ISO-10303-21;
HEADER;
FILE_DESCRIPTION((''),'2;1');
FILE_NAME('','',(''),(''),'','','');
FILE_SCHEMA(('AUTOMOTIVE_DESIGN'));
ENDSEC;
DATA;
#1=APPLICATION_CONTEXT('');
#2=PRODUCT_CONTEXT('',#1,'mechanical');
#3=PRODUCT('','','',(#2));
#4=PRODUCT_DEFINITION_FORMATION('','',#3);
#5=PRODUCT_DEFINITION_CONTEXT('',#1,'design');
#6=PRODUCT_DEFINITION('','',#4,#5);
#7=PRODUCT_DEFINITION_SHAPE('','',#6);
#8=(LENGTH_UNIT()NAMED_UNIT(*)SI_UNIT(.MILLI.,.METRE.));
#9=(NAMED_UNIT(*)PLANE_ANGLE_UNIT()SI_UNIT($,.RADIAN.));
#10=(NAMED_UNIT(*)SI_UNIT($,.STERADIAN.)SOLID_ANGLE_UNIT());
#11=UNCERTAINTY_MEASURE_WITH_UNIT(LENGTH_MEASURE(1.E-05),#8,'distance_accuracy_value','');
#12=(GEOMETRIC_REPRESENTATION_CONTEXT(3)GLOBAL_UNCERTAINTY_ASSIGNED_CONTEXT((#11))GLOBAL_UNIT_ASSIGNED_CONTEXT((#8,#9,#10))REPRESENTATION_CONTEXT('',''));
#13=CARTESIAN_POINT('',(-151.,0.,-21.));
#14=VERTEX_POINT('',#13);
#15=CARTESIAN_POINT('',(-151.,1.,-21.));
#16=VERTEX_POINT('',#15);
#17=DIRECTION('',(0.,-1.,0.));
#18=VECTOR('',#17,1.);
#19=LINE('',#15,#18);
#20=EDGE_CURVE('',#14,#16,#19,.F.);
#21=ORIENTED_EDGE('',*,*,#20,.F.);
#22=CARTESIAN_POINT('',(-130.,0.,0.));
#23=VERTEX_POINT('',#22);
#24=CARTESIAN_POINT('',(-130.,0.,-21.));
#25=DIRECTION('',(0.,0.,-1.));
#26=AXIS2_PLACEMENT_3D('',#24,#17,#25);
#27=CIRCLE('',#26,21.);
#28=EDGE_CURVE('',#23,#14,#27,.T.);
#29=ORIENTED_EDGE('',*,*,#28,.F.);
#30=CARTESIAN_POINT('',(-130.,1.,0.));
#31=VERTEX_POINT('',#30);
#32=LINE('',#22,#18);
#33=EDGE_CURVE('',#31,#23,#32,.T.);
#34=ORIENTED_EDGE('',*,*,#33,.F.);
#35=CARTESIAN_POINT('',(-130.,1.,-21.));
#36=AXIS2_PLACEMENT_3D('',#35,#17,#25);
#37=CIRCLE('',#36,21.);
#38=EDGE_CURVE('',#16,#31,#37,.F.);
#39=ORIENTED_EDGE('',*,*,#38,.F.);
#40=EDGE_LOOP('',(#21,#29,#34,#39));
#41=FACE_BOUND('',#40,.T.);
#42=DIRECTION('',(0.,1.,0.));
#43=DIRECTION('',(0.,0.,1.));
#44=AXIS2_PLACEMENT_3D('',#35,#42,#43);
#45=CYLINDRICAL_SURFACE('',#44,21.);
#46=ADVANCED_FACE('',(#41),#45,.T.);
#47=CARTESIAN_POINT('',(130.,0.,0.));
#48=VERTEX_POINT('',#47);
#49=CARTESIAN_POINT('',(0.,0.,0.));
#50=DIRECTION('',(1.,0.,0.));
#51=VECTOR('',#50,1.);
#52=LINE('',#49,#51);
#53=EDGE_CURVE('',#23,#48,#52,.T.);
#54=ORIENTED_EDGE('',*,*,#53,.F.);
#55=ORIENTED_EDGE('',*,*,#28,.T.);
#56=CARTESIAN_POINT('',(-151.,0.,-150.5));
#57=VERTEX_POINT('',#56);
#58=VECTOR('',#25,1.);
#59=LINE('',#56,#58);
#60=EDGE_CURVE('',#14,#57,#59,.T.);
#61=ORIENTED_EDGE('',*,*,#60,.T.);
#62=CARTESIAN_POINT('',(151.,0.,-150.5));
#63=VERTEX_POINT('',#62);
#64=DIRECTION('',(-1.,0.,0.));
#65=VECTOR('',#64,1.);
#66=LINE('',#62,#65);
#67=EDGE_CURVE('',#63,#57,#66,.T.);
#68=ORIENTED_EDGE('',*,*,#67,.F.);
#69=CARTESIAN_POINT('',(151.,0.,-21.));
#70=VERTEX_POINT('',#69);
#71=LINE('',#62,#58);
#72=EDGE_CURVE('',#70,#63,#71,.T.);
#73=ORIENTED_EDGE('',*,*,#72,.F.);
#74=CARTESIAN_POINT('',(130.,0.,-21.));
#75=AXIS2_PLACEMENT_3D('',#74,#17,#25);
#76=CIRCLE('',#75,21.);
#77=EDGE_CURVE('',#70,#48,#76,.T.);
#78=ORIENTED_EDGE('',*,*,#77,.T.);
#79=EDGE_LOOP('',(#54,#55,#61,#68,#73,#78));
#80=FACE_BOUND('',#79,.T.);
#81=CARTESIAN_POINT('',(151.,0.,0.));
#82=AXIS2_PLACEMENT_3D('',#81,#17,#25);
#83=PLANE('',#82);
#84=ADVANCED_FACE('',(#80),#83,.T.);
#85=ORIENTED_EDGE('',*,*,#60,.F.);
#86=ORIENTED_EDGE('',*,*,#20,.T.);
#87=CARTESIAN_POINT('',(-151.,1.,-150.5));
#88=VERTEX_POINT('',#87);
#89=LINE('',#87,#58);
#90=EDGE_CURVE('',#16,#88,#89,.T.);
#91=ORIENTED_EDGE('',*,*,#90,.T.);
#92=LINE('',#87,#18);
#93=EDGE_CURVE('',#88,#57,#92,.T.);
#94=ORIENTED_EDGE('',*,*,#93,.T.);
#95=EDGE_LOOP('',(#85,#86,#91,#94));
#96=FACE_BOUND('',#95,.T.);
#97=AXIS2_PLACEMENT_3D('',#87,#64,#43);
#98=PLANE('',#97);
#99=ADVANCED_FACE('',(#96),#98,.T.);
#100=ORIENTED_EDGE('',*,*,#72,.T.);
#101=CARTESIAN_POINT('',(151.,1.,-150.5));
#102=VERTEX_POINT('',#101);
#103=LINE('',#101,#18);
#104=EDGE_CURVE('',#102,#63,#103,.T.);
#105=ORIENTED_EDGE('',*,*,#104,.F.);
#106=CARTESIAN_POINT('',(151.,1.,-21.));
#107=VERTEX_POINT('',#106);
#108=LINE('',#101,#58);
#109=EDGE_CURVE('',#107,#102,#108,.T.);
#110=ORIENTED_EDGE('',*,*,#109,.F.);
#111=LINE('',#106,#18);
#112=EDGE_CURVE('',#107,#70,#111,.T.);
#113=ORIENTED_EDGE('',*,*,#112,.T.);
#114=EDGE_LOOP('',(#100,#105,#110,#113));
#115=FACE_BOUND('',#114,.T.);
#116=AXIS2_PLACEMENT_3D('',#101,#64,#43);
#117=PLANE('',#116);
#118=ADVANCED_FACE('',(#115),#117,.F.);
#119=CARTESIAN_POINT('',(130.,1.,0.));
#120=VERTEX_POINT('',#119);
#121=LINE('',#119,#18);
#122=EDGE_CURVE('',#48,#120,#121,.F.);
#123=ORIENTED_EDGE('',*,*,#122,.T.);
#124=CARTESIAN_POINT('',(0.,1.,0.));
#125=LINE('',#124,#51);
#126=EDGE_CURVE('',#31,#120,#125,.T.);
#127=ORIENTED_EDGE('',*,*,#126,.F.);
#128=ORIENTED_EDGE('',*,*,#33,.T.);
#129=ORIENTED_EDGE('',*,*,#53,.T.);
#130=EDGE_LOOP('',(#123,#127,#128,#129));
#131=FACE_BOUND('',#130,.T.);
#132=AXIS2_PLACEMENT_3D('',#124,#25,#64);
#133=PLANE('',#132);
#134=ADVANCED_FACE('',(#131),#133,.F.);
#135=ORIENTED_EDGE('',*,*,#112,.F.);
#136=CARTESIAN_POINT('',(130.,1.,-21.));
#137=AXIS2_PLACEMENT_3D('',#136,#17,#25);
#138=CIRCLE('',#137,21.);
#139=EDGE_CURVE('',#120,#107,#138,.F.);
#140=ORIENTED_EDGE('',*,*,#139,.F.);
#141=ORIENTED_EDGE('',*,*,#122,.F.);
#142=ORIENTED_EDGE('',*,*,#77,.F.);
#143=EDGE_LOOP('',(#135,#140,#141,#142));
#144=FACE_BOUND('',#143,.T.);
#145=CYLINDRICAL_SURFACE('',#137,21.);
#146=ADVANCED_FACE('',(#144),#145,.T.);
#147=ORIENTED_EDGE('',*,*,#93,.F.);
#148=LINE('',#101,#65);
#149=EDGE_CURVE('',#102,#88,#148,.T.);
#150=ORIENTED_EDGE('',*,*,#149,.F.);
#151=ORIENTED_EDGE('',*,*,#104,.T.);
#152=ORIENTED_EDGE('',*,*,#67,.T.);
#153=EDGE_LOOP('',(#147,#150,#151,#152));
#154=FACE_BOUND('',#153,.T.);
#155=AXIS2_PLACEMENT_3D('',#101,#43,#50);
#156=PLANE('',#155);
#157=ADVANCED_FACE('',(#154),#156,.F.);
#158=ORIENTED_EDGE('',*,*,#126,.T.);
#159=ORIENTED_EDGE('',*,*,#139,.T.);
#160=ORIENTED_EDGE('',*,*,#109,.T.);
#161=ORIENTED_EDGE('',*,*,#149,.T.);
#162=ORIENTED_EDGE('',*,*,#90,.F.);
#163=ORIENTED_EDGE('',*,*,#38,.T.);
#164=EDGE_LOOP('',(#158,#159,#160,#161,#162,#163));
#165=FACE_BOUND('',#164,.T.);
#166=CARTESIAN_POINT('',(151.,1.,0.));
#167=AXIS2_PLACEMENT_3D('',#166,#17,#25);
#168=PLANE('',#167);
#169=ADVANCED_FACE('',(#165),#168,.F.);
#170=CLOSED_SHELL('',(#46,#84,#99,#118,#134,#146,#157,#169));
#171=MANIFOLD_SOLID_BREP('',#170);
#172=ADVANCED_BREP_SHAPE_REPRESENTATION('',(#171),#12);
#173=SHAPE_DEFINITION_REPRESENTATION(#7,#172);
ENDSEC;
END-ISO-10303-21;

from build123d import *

# Parameters (mm, degrees)
SKIZZE1_W                  = 151
SKIZZE1_H                  = 150.5
LINEAR_AUSTRAGEN1_DEPTH    = 1
VERRUNDUNG1_R              = 21
VERRUNDUNG1_OF_SPIEGELN1_R = 21


with BuildPart() as part:
    # Skizze1 → Linear austragen1 (new body)
    with BuildSketch(Plane(origin=(0, 0, 0), x_dir=(1, 0, 0), z_dir=(0, 1, 0))):
        with Locations((75.5, 75.25)):
            Rectangle(SKIZZE1_W, SKIZZE1_H)
    linear_austragen1 = extrude(amount=LINEAR_AUSTRAGEN1_DEPTH)

    # Verrundung1
    verrundung1_edges = [part.edges().sort_by_distance(p)[0] for p in [
        (151, 0.5, 0),
    ]]
    fillet(verrundung1_edges, radius=VERRUNDUNG1_R)

    # Spiegeln1: Linear austragen1 across plane
    add(linear_austragen1.mirror(Plane(origin=(0, 1, 0), x_dir=(0, 0, 1), z_dir=(1, 0, 0))))

    # Verrundung1 of Spiegeln1
    verrundung1_of_spiegeln1_edges = [part.edges().sort_by_distance(p)[0] for p in [
        (-151, 0.5, 0),
    ]]
    fillet(verrundung1_of_spiegeln1_edges, radius=VERRUNDUNG1_OF_SPIEGELN1_R)


solid = part.part
